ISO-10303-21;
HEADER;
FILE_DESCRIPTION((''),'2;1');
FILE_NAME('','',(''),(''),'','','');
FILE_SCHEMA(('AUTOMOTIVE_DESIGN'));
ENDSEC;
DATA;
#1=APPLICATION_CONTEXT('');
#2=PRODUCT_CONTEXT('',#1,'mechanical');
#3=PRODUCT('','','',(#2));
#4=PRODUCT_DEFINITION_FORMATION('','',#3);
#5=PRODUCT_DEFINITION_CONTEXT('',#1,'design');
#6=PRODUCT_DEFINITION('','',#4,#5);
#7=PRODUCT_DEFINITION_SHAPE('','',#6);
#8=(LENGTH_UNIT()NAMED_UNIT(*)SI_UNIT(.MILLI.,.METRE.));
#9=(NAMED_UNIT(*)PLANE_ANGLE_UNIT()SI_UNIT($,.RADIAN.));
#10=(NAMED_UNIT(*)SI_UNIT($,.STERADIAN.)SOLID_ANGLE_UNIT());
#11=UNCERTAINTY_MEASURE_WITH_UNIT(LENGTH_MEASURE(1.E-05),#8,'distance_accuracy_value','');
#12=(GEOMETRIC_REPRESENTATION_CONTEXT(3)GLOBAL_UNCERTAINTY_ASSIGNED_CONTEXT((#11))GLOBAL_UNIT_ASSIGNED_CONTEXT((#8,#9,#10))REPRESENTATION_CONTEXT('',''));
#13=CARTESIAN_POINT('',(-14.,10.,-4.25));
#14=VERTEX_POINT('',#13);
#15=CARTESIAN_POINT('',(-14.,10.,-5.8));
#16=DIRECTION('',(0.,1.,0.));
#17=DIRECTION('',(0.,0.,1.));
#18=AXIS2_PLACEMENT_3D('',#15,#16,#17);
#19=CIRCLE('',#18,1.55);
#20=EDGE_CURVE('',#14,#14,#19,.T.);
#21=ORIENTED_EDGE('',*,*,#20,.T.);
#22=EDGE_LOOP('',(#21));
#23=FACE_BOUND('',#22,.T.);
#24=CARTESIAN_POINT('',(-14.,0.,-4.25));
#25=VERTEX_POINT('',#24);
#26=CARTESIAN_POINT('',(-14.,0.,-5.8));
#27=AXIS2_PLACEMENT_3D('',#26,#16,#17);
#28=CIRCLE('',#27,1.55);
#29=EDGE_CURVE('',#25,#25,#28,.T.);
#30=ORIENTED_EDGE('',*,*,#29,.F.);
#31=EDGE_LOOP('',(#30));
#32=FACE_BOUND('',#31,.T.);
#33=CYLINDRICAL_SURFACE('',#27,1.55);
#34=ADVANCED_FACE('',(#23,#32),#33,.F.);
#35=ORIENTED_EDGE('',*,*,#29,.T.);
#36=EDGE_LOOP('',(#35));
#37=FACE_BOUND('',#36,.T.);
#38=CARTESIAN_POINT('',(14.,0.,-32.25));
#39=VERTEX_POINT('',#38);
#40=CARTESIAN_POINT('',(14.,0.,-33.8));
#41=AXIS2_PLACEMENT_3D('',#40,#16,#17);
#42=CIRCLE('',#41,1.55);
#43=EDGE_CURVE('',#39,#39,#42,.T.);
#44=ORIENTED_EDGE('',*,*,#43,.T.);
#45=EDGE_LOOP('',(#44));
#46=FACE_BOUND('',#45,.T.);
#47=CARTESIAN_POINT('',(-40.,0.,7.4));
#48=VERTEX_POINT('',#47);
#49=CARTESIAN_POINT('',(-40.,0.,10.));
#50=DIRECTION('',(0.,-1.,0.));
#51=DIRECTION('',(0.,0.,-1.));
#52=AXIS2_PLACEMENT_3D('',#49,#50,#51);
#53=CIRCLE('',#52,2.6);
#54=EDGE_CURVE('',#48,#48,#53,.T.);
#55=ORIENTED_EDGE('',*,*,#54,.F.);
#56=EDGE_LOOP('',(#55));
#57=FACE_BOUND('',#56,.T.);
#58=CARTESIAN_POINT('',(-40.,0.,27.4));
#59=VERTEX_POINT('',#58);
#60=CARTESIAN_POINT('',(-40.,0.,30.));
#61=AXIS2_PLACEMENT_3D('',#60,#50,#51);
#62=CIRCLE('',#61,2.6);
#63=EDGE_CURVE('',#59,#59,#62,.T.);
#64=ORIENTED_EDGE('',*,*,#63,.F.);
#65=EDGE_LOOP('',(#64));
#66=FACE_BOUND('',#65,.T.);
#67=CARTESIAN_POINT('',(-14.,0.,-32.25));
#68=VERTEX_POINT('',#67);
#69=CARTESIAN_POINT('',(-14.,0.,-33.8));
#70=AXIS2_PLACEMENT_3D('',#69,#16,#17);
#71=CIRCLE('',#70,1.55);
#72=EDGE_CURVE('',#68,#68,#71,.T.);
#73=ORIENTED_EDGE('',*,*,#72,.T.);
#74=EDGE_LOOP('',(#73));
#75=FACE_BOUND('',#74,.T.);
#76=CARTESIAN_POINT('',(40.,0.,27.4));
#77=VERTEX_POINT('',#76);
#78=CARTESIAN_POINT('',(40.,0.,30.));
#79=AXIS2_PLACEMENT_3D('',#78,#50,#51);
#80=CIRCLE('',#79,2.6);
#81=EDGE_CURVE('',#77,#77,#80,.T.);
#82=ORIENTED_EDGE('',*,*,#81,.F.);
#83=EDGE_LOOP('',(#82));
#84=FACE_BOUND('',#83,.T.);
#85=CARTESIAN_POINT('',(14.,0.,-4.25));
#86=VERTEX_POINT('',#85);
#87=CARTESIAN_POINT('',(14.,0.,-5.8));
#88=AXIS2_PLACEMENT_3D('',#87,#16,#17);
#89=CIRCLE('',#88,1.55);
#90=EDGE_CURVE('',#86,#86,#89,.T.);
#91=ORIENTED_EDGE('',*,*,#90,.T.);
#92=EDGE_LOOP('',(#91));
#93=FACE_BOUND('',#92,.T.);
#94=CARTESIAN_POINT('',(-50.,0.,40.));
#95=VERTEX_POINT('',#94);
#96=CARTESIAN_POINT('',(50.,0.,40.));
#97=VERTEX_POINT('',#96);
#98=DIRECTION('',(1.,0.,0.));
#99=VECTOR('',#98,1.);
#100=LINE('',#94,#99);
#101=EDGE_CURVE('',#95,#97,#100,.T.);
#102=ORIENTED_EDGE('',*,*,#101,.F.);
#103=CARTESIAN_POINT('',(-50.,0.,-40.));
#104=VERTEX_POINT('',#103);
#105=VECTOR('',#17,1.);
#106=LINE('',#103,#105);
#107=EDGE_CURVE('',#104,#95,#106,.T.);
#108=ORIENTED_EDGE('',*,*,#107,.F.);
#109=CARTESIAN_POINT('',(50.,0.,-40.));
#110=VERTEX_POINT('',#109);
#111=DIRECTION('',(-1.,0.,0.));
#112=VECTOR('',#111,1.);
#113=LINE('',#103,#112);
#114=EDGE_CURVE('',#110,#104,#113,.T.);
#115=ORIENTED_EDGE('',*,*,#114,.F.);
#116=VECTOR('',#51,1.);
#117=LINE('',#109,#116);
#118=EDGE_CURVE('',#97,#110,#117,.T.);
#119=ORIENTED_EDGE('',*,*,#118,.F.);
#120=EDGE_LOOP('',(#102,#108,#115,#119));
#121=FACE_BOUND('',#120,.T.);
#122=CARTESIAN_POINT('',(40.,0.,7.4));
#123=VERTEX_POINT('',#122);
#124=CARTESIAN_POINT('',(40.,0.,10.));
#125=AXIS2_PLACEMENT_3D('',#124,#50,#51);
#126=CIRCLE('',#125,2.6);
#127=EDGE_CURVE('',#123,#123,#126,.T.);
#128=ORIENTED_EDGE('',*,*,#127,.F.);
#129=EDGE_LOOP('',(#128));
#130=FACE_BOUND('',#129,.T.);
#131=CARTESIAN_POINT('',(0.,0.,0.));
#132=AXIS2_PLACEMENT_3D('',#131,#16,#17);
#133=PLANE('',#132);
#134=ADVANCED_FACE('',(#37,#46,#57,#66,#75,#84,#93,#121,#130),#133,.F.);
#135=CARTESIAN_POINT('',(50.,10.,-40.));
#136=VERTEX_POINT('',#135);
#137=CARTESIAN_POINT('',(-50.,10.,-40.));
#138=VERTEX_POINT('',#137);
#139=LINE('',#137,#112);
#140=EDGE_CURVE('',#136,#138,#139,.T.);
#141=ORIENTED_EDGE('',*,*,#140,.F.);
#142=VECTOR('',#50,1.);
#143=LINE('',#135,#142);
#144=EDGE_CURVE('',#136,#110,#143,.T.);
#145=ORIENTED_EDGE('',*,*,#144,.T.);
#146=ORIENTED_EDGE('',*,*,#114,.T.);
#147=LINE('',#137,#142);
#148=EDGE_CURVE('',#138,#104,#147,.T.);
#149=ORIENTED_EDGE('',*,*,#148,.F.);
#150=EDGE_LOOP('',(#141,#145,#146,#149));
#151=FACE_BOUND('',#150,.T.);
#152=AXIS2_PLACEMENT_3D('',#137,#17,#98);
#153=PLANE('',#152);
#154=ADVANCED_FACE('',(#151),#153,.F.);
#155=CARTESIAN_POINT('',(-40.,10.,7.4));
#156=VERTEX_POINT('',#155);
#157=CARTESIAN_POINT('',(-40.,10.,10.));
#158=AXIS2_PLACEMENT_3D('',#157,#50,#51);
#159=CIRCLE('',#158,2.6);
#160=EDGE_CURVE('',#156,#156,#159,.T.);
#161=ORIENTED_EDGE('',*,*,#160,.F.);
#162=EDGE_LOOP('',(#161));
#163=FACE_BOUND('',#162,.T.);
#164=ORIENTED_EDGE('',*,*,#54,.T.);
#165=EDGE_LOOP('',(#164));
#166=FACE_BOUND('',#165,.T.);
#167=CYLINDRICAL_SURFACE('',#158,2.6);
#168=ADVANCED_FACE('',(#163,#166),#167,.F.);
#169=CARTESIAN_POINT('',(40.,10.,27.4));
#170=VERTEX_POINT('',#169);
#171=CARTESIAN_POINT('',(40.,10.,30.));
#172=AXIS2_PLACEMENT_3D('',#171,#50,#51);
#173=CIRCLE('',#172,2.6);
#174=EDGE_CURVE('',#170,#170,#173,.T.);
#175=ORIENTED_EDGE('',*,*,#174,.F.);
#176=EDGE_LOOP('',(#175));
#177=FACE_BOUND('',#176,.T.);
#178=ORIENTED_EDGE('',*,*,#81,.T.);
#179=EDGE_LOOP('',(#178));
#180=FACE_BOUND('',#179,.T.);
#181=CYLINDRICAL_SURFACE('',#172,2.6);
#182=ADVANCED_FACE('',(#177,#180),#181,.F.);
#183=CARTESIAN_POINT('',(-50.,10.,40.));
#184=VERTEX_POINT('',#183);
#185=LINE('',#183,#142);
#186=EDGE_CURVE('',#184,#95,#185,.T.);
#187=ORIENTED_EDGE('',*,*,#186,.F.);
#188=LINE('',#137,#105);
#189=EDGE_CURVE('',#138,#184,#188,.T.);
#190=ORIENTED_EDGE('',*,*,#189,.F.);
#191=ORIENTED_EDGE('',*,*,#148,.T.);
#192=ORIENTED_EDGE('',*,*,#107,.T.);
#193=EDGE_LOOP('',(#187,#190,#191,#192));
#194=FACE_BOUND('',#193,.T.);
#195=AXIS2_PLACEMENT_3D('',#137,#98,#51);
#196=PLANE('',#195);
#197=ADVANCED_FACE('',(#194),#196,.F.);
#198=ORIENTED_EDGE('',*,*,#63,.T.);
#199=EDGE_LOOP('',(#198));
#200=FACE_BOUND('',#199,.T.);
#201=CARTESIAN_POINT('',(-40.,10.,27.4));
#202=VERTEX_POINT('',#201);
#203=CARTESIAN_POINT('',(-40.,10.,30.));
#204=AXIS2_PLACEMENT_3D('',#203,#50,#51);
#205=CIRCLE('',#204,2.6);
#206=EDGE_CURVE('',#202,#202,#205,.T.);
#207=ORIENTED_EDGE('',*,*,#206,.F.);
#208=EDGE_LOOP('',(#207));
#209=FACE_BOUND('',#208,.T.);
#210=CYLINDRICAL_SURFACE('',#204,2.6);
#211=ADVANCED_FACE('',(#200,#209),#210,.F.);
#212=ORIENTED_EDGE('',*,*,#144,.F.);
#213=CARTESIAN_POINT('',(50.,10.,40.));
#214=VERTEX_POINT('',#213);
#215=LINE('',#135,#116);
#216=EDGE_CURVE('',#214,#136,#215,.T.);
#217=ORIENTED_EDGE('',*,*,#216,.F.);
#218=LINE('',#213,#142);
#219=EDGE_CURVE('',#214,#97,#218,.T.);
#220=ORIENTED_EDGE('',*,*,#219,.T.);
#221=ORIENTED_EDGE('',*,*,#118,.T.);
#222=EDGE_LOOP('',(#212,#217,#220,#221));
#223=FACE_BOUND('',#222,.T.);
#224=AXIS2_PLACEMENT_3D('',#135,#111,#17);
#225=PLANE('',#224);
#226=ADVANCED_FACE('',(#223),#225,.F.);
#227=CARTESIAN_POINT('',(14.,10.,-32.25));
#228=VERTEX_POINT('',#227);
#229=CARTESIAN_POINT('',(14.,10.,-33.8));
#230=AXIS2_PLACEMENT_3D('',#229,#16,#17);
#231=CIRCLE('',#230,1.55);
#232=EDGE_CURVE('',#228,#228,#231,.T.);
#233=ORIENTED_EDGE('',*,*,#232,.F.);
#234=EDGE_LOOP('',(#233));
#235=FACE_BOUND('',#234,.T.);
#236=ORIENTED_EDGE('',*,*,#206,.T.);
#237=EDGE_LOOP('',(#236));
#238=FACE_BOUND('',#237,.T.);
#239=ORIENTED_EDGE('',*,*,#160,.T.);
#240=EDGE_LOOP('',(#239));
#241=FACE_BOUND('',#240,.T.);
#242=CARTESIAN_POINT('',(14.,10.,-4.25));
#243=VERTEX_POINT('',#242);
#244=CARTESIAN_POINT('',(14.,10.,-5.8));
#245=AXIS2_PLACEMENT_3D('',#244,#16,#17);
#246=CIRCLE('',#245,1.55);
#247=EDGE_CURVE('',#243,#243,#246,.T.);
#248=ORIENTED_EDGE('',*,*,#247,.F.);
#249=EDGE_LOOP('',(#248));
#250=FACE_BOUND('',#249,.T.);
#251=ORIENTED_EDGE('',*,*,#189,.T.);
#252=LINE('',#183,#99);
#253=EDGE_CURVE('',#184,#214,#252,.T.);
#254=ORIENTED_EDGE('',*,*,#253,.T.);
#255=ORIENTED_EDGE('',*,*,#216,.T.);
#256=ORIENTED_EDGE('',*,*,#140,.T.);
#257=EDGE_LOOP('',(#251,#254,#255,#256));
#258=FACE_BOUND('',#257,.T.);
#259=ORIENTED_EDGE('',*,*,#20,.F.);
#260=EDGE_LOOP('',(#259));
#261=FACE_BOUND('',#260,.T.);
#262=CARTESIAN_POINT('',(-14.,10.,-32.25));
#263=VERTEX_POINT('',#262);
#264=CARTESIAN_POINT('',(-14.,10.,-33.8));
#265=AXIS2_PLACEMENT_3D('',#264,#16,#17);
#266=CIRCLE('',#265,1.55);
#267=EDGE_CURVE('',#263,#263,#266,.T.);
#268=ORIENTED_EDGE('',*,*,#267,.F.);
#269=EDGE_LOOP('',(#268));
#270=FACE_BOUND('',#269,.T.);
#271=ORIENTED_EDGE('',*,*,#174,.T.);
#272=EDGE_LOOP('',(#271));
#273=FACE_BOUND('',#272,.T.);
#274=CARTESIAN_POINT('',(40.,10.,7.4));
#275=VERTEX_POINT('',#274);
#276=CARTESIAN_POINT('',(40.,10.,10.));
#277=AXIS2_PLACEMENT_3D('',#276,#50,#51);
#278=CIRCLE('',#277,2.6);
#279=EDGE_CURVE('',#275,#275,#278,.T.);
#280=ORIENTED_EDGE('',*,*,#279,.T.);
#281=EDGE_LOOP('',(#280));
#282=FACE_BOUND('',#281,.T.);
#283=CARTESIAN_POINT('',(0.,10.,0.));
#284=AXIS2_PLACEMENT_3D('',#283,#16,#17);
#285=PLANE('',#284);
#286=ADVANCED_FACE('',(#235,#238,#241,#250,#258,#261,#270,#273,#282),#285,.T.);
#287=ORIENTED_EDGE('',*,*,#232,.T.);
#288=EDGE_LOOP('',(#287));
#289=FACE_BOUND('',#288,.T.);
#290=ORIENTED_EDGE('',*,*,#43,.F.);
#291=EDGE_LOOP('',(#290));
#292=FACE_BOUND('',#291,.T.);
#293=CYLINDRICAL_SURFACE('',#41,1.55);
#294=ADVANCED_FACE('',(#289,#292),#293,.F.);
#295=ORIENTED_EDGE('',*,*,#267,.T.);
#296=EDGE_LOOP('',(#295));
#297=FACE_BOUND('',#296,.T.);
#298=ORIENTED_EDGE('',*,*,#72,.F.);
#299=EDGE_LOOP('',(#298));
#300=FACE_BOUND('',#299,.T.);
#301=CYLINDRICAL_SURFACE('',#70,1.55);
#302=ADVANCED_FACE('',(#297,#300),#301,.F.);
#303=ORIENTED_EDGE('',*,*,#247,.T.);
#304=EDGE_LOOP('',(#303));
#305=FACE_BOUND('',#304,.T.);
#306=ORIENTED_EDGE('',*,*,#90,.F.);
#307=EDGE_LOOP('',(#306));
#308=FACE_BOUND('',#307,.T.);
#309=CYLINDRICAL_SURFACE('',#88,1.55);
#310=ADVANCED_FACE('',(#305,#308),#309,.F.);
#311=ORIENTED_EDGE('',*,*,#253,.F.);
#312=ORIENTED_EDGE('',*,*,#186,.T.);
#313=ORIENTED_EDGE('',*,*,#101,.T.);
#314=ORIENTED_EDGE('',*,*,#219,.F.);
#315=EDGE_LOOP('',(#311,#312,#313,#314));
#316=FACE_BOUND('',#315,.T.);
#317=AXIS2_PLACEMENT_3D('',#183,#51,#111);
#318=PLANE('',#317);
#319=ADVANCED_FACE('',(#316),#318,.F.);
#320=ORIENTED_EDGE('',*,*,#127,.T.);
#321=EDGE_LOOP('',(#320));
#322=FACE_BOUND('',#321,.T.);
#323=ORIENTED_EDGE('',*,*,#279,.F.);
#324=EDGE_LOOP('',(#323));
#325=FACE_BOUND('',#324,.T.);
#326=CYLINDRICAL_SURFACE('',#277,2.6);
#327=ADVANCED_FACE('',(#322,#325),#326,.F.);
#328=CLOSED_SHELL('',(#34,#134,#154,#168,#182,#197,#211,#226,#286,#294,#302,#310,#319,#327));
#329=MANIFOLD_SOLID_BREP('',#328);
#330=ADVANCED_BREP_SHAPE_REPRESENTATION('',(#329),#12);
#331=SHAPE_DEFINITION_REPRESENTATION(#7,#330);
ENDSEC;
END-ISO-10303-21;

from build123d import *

# Parameters (mm, degrees)
SKETCH_1_W          = 100
SKETCH_1_H          = 80
EXTRUDE_1_DEPTH     = 10
SKETCH_3_R          = 2.6
CUT_EXTRUDE_2_DEPTH = 65.807406984
SKETCH_4_R          = 1.55
CUT_EXTRUDE_3_DEPTH = 65.807406984


with BuildPart() as part:
    # 草图1 → 凸台-拉伸1 (new body)
    with BuildSketch(Plane(origin=(0, 0, 0), x_dir=(1, 0, 0), z_dir=(0, 1, 0))):
        Rectangle(SKETCH_1_W, SKETCH_1_H)
    extrude(amount=EXTRUDE_1_DEPTH)

    # 草图3 → 切除-拉伸2 (cut, through all)
    with BuildSketch(Plane.XZ):
        with Locations(Location((40, 30, 0), (0, 0, 270))):
            Circle(SKETCH_3_R)
        with Locations(Location((40, 10, 0), (0, 0, 270))):
            Circle(SKETCH_3_R)
        with Locations(Location((-40, 30, 0), (0, 0, 270))):
            Circle(SKETCH_3_R)
        with Locations(Location((-40, 10, 0), (0, 0, 270))):
            Circle(SKETCH_3_R)
    extrude(amount=-CUT_EXTRUDE_2_DEPTH, mode=Mode.SUBTRACT)

    # 草图4 → 切除-拉伸3 (cut, through all)
    with BuildSketch(Plane(origin=(0, 10, 0), x_dir=(1, 0, 0), z_dir=(0, 1, 0))):
        with Locations(Location((14, 33.8, 0), (0, 0, 270))):
            Circle(SKETCH_4_R)
        with Locations(Location((14, 5.8, 0), (0, 0, 270))):
            Circle(SKETCH_4_R)
        with Locations(Location((-14, 33.8, 0), (0, 0, 270))):
            Circle(SKETCH_4_R)
        with Locations(Location((-14, 5.8, 0), (0, 0, 270))):
            Circle(SKETCH_4_R)
    extrude(amount=-CUT_EXTRUDE_3_DEPTH, mode=Mode.SUBTRACT)


solid = part.part
